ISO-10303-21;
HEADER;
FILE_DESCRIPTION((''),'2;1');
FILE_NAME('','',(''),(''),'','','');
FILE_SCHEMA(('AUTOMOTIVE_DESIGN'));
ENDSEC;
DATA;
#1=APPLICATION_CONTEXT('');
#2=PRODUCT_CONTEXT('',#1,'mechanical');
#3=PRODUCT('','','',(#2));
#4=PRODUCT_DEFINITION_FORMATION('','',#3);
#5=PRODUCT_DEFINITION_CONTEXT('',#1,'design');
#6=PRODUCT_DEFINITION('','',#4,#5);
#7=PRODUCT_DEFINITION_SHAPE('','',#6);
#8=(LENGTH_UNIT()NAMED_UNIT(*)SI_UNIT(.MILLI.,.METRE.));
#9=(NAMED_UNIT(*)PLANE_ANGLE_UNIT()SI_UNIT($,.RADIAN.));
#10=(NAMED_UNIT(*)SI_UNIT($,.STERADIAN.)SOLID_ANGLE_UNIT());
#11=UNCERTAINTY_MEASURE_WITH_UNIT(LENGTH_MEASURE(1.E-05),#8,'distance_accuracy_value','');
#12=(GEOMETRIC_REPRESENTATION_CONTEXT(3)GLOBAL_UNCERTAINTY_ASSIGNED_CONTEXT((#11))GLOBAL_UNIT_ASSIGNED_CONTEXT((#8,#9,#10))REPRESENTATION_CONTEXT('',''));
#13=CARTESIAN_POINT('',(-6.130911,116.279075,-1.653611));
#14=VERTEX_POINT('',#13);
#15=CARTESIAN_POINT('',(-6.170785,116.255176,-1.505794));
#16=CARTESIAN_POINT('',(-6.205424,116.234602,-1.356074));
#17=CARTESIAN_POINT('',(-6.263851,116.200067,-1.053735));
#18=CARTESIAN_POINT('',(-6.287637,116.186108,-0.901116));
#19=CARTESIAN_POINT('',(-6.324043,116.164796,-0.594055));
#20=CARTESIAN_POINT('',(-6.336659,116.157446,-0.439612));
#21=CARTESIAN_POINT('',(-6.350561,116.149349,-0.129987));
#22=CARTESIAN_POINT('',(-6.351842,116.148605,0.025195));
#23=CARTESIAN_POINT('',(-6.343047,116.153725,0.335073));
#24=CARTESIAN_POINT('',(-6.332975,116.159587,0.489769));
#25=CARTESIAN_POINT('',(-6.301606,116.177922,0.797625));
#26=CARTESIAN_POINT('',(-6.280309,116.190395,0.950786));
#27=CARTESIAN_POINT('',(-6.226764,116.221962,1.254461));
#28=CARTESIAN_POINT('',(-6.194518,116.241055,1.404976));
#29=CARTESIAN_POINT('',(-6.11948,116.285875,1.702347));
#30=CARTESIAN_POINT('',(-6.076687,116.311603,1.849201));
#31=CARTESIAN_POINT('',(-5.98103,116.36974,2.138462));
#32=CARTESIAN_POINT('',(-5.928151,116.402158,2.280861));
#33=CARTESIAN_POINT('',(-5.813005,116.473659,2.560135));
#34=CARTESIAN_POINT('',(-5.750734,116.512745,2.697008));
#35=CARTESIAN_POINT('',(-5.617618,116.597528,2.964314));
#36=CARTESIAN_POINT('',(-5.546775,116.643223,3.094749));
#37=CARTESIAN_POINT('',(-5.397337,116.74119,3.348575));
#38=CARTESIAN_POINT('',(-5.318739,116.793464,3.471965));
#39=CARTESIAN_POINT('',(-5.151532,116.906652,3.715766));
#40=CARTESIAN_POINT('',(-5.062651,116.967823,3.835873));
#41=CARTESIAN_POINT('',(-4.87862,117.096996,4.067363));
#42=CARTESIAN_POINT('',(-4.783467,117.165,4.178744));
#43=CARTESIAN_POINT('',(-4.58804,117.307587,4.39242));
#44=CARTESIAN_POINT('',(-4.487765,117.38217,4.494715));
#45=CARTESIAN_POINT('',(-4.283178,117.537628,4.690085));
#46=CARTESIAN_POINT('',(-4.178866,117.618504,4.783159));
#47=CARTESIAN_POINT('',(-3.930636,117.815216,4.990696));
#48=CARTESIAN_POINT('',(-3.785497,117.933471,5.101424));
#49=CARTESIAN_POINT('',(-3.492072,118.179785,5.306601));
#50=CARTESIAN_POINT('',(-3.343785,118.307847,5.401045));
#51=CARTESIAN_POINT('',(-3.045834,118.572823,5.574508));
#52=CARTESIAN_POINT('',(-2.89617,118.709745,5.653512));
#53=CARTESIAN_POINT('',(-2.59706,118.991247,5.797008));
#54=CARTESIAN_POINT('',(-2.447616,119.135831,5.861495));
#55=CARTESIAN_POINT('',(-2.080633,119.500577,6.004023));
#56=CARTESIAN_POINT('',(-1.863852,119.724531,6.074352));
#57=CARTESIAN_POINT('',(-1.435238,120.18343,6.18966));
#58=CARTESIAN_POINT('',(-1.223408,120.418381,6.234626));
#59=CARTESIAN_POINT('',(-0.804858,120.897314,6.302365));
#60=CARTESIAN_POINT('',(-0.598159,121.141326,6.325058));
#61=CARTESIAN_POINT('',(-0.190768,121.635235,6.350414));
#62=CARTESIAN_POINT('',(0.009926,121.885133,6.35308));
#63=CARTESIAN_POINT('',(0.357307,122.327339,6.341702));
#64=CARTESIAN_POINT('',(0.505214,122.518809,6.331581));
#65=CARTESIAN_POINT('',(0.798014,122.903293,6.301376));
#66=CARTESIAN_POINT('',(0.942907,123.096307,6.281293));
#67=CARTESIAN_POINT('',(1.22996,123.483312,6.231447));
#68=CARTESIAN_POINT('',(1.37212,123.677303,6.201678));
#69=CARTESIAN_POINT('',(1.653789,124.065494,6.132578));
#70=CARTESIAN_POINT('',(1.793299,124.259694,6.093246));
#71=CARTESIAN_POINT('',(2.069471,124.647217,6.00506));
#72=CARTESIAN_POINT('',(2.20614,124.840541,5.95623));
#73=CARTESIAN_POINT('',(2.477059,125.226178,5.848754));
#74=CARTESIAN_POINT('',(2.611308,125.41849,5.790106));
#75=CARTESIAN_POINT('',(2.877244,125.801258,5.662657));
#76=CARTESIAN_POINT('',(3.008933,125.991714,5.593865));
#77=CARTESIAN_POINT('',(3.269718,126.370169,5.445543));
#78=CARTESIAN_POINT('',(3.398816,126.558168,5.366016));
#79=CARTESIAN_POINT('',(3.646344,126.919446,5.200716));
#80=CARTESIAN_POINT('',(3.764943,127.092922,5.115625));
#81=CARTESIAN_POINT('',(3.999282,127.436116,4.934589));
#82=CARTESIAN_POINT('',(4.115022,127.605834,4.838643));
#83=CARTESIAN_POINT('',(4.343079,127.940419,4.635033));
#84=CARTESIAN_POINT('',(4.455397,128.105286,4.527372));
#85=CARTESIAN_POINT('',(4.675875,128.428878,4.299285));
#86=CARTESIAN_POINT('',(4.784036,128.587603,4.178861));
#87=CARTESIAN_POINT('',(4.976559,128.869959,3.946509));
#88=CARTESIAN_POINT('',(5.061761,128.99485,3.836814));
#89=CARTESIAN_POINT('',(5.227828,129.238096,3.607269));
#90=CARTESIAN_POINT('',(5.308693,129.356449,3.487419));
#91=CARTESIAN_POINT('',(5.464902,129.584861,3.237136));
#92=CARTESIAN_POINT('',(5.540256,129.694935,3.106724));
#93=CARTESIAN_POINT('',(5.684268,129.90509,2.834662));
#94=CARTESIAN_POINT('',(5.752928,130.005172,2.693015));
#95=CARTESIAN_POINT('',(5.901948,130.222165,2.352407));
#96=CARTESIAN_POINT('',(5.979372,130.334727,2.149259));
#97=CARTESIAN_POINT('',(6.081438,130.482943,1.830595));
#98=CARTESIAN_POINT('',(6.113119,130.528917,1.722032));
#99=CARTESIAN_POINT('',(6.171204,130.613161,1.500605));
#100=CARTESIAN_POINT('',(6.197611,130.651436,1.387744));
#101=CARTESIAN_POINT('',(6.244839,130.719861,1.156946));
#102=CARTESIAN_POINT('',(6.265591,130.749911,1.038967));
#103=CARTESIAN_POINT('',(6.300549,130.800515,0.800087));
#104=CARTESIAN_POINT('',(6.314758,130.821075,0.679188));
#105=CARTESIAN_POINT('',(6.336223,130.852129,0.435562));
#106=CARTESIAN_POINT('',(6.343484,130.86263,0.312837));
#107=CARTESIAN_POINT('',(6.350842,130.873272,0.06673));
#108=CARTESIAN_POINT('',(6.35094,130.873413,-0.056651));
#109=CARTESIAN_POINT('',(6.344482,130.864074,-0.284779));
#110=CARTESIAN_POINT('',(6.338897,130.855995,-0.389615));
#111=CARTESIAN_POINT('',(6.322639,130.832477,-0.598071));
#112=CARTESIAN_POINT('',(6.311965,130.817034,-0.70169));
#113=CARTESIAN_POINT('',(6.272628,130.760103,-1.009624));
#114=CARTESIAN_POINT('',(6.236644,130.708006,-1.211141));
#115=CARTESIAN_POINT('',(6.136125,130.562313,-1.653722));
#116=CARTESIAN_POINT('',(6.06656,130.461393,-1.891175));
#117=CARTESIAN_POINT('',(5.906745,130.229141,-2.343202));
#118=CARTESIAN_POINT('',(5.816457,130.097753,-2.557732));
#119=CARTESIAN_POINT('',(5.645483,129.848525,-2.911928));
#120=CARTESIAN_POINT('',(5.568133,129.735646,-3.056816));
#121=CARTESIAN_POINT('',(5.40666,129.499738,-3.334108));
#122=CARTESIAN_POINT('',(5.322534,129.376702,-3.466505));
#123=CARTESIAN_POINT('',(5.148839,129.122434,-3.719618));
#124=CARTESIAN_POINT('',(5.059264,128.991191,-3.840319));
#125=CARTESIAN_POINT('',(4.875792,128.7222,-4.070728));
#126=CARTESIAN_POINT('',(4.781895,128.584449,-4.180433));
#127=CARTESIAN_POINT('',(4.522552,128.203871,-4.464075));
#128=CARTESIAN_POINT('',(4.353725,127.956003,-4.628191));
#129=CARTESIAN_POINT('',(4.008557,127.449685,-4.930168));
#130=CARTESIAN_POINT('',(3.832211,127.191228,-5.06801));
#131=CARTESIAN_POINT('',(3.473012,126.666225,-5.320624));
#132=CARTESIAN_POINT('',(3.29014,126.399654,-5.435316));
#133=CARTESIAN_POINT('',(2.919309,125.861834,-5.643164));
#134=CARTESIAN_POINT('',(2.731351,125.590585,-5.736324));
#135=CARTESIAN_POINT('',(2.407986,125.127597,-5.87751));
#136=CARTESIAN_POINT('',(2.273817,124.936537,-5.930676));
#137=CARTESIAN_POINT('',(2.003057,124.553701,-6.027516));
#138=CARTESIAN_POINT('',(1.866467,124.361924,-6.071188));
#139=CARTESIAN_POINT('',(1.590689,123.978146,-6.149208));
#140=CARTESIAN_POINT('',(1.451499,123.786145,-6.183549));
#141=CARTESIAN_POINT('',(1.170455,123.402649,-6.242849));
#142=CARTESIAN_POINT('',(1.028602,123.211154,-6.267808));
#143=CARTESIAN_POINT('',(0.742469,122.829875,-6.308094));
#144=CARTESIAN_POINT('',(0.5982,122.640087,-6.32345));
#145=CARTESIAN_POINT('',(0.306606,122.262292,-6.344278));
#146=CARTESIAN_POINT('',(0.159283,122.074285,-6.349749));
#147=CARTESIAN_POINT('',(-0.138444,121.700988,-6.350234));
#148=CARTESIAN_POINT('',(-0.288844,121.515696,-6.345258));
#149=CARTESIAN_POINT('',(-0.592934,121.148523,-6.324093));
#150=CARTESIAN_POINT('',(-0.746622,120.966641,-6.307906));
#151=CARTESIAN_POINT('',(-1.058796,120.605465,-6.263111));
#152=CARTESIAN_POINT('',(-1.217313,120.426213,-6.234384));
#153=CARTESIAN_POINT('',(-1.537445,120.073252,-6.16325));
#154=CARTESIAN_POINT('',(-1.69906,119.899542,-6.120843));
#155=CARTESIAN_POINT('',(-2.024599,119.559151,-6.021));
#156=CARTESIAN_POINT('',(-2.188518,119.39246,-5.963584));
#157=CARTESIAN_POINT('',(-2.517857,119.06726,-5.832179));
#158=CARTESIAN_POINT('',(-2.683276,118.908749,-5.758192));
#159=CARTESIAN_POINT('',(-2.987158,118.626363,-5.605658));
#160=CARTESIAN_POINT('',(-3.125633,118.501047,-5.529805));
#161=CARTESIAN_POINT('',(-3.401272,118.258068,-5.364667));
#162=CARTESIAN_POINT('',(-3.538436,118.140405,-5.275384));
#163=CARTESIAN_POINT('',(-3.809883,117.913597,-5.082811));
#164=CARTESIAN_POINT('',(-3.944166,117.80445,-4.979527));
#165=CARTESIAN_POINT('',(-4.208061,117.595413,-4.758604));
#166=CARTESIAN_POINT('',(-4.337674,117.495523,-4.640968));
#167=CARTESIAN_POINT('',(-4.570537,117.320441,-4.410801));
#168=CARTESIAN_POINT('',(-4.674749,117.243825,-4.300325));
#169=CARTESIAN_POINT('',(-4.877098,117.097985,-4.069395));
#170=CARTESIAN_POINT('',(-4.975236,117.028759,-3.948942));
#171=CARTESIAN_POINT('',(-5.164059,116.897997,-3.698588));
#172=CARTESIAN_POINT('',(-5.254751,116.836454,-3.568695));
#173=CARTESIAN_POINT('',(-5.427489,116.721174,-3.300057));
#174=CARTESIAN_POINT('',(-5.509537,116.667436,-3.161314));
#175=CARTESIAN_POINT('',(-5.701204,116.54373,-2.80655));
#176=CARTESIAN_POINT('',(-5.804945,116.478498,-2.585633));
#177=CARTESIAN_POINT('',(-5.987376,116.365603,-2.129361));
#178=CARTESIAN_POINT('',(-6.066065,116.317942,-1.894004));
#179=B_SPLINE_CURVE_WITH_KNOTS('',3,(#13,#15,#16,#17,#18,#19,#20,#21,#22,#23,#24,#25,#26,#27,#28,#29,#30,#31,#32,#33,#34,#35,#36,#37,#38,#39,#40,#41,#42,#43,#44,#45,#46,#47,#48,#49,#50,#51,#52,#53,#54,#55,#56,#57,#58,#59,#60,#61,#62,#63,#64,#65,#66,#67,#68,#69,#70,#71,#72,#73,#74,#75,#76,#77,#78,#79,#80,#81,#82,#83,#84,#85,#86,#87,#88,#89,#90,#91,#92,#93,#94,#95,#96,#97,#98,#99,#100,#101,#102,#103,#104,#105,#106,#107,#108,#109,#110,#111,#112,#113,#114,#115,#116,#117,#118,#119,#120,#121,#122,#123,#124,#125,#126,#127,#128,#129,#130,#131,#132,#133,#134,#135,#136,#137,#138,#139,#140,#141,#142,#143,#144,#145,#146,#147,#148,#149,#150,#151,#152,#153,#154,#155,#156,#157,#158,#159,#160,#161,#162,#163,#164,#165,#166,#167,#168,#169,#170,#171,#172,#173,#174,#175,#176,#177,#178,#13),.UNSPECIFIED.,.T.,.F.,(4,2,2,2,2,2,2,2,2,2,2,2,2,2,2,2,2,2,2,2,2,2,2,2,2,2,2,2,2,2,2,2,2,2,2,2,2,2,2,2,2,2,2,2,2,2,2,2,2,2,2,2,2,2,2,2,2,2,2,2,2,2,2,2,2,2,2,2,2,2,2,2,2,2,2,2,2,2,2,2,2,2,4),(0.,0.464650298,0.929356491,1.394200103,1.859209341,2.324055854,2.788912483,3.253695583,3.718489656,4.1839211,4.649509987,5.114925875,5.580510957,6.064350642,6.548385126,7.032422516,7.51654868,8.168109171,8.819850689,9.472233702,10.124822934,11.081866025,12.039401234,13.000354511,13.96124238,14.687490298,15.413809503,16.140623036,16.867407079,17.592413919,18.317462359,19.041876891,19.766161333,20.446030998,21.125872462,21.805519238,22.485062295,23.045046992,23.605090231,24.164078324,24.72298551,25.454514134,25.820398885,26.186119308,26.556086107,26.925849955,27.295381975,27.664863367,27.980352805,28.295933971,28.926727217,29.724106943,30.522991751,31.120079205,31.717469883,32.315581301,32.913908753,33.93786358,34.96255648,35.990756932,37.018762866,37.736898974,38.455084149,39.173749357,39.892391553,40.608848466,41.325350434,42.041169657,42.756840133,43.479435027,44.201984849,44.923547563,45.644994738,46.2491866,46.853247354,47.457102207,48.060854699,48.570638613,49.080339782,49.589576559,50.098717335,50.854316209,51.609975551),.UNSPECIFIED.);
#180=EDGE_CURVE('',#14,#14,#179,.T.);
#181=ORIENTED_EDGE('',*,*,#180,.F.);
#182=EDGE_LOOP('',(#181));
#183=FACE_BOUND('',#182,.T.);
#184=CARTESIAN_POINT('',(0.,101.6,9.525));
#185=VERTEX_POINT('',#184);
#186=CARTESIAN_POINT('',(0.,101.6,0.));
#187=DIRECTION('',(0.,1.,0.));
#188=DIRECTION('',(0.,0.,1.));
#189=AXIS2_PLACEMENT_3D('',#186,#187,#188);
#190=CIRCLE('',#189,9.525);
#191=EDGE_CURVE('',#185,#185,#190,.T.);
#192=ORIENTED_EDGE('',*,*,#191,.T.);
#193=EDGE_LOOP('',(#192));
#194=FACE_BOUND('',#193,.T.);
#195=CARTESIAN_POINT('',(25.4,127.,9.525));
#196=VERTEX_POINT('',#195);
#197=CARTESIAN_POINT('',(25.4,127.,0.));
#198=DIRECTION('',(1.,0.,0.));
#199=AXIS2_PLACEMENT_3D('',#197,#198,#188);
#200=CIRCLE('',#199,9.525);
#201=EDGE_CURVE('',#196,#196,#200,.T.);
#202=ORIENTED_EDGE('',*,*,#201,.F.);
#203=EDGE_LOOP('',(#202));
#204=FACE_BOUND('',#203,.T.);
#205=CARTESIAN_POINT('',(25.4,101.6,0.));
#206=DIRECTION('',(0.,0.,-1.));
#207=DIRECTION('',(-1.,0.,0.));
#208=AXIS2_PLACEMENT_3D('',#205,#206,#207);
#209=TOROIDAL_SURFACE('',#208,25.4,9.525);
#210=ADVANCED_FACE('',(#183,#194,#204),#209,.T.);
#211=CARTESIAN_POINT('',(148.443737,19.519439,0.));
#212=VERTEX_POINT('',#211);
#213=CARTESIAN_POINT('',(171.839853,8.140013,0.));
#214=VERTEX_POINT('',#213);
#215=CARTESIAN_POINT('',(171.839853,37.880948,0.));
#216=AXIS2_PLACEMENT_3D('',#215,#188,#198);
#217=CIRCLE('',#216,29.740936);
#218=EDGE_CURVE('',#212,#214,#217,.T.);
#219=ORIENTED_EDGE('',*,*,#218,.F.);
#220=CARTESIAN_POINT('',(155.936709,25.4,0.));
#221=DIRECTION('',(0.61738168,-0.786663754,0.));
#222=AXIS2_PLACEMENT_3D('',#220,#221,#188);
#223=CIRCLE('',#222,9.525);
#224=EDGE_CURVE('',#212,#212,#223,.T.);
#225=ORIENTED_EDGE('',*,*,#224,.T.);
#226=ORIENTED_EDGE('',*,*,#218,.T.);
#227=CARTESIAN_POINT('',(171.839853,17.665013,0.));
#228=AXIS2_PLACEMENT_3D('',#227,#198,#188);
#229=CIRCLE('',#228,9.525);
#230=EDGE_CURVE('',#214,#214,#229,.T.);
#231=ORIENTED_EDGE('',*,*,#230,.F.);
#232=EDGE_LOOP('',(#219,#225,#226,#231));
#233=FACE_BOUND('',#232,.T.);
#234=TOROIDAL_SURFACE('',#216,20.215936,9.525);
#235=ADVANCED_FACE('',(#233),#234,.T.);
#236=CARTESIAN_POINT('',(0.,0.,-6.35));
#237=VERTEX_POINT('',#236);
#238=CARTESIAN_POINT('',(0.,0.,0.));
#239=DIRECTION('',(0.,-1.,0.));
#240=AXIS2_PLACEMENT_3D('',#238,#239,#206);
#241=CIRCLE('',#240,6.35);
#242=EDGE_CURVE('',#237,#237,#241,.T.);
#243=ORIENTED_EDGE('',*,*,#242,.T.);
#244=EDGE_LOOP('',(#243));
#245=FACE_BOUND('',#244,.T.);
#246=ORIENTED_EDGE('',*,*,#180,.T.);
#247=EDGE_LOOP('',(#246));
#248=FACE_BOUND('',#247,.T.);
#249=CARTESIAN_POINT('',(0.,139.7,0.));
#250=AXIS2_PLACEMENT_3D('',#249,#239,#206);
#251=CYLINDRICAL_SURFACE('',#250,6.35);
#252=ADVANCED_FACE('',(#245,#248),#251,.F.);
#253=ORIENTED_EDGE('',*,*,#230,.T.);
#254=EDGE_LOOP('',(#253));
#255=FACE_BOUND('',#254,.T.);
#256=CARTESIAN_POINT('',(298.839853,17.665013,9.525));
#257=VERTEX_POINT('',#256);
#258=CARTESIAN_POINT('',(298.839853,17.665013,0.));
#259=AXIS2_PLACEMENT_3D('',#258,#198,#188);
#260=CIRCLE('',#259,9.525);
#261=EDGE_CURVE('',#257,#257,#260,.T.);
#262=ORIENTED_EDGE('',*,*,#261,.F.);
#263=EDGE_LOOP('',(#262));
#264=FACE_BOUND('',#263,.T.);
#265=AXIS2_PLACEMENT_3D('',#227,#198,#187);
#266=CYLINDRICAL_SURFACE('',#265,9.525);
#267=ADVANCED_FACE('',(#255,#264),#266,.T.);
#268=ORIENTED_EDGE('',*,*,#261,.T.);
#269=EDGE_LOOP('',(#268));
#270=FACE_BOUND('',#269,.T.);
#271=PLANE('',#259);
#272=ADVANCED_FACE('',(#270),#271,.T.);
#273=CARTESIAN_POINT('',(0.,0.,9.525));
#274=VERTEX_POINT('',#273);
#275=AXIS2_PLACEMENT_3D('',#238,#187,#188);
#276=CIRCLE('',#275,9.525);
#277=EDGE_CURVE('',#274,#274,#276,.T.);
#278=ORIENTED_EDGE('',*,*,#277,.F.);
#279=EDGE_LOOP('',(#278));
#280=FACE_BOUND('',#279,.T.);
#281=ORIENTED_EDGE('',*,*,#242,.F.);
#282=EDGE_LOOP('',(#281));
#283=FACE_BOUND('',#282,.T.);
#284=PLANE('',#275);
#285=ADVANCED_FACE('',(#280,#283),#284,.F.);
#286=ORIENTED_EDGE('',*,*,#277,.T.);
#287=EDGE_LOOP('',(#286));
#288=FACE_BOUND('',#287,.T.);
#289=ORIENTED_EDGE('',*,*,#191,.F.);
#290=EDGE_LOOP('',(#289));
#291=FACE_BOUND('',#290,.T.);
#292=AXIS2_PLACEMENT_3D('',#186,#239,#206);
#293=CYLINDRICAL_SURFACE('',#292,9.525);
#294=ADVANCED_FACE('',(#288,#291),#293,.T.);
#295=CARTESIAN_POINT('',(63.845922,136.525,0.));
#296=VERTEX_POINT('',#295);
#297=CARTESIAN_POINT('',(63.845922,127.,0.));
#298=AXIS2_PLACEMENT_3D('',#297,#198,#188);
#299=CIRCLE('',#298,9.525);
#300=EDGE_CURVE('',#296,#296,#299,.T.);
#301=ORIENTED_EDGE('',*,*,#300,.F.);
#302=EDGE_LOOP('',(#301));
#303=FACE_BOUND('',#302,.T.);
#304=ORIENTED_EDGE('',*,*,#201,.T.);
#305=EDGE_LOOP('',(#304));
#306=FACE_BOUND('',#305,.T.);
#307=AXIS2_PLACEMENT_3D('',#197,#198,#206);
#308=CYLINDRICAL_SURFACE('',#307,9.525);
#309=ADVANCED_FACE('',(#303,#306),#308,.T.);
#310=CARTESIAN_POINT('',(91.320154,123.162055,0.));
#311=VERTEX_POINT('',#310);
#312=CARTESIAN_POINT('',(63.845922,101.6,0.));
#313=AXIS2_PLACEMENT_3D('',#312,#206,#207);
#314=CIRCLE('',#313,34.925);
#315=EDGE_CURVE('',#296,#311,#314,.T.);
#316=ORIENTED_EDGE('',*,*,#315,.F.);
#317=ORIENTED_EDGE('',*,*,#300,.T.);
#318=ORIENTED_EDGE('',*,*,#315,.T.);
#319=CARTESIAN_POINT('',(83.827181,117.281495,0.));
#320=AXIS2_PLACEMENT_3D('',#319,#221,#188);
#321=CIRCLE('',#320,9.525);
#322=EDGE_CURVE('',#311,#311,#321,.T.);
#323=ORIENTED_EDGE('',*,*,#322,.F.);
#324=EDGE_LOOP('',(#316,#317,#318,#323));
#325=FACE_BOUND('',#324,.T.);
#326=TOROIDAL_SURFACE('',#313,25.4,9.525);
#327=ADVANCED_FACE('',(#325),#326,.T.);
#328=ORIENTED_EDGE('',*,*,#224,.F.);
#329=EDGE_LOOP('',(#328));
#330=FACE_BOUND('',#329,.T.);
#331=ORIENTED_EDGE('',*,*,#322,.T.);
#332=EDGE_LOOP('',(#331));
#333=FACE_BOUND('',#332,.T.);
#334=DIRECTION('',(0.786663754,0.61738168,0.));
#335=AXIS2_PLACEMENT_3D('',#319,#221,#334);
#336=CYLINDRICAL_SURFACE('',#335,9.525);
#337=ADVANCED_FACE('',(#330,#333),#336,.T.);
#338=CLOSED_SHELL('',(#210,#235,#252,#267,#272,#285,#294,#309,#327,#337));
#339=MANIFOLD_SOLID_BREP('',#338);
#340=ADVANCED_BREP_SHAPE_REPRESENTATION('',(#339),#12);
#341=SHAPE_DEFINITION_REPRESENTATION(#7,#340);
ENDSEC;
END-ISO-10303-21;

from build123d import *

# Parameters (mm, degrees)
SKETCH2_R          = 9.525
SKETCH6_R          = 6.35
CUT_EXTRUDE1_DEPTH = 139.7


with BuildPart() as part:
    # Sweep1: sweep along a path in Sketch1
    with BuildLine(Plane.XY) as sweep1_path:
        Line((0, 0), (0, 101.6))
        ThreePointArc((0, 101.6), (7.439487758, 119.560512242), (25.4, 127))
        Line((25.4, 127), (63.845922056, 127))
        ThreePointArc((63.845922056, 127), (74.955603314, 124.441518827), (83.827181396, 117.281494672))
        Line((83.827181396, 117.281494672), (155.936708861, 25.4))
        ThreePointArc((155.936708861, 25.4), (162.997624279, 19.70131545), (171.839852681, 17.665012665))
        Line((171.839852681, 17.665012665), (298.839852681, 17.665012665))
    # Sketch2 → Sweep1 (sweep)
    with BuildSketch(Plane(origin=(0, 0, 0), x_dir=(1, 0, 0), z_dir=(0, 1, 0))):
        Circle(SKETCH2_R)
    sweep(path=sweep1_path.line)

    # Sketch6 → Cut-Extrude1 (cut)
    with BuildSketch(Plane.XZ):
        with Locations(Location((0, 0, 0), (0, 0, 270))):
            Circle(SKETCH6_R)
    extrude(amount=-CUT_EXTRUDE1_DEPTH, mode=Mode.SUBTRACT)


solid = part.part
